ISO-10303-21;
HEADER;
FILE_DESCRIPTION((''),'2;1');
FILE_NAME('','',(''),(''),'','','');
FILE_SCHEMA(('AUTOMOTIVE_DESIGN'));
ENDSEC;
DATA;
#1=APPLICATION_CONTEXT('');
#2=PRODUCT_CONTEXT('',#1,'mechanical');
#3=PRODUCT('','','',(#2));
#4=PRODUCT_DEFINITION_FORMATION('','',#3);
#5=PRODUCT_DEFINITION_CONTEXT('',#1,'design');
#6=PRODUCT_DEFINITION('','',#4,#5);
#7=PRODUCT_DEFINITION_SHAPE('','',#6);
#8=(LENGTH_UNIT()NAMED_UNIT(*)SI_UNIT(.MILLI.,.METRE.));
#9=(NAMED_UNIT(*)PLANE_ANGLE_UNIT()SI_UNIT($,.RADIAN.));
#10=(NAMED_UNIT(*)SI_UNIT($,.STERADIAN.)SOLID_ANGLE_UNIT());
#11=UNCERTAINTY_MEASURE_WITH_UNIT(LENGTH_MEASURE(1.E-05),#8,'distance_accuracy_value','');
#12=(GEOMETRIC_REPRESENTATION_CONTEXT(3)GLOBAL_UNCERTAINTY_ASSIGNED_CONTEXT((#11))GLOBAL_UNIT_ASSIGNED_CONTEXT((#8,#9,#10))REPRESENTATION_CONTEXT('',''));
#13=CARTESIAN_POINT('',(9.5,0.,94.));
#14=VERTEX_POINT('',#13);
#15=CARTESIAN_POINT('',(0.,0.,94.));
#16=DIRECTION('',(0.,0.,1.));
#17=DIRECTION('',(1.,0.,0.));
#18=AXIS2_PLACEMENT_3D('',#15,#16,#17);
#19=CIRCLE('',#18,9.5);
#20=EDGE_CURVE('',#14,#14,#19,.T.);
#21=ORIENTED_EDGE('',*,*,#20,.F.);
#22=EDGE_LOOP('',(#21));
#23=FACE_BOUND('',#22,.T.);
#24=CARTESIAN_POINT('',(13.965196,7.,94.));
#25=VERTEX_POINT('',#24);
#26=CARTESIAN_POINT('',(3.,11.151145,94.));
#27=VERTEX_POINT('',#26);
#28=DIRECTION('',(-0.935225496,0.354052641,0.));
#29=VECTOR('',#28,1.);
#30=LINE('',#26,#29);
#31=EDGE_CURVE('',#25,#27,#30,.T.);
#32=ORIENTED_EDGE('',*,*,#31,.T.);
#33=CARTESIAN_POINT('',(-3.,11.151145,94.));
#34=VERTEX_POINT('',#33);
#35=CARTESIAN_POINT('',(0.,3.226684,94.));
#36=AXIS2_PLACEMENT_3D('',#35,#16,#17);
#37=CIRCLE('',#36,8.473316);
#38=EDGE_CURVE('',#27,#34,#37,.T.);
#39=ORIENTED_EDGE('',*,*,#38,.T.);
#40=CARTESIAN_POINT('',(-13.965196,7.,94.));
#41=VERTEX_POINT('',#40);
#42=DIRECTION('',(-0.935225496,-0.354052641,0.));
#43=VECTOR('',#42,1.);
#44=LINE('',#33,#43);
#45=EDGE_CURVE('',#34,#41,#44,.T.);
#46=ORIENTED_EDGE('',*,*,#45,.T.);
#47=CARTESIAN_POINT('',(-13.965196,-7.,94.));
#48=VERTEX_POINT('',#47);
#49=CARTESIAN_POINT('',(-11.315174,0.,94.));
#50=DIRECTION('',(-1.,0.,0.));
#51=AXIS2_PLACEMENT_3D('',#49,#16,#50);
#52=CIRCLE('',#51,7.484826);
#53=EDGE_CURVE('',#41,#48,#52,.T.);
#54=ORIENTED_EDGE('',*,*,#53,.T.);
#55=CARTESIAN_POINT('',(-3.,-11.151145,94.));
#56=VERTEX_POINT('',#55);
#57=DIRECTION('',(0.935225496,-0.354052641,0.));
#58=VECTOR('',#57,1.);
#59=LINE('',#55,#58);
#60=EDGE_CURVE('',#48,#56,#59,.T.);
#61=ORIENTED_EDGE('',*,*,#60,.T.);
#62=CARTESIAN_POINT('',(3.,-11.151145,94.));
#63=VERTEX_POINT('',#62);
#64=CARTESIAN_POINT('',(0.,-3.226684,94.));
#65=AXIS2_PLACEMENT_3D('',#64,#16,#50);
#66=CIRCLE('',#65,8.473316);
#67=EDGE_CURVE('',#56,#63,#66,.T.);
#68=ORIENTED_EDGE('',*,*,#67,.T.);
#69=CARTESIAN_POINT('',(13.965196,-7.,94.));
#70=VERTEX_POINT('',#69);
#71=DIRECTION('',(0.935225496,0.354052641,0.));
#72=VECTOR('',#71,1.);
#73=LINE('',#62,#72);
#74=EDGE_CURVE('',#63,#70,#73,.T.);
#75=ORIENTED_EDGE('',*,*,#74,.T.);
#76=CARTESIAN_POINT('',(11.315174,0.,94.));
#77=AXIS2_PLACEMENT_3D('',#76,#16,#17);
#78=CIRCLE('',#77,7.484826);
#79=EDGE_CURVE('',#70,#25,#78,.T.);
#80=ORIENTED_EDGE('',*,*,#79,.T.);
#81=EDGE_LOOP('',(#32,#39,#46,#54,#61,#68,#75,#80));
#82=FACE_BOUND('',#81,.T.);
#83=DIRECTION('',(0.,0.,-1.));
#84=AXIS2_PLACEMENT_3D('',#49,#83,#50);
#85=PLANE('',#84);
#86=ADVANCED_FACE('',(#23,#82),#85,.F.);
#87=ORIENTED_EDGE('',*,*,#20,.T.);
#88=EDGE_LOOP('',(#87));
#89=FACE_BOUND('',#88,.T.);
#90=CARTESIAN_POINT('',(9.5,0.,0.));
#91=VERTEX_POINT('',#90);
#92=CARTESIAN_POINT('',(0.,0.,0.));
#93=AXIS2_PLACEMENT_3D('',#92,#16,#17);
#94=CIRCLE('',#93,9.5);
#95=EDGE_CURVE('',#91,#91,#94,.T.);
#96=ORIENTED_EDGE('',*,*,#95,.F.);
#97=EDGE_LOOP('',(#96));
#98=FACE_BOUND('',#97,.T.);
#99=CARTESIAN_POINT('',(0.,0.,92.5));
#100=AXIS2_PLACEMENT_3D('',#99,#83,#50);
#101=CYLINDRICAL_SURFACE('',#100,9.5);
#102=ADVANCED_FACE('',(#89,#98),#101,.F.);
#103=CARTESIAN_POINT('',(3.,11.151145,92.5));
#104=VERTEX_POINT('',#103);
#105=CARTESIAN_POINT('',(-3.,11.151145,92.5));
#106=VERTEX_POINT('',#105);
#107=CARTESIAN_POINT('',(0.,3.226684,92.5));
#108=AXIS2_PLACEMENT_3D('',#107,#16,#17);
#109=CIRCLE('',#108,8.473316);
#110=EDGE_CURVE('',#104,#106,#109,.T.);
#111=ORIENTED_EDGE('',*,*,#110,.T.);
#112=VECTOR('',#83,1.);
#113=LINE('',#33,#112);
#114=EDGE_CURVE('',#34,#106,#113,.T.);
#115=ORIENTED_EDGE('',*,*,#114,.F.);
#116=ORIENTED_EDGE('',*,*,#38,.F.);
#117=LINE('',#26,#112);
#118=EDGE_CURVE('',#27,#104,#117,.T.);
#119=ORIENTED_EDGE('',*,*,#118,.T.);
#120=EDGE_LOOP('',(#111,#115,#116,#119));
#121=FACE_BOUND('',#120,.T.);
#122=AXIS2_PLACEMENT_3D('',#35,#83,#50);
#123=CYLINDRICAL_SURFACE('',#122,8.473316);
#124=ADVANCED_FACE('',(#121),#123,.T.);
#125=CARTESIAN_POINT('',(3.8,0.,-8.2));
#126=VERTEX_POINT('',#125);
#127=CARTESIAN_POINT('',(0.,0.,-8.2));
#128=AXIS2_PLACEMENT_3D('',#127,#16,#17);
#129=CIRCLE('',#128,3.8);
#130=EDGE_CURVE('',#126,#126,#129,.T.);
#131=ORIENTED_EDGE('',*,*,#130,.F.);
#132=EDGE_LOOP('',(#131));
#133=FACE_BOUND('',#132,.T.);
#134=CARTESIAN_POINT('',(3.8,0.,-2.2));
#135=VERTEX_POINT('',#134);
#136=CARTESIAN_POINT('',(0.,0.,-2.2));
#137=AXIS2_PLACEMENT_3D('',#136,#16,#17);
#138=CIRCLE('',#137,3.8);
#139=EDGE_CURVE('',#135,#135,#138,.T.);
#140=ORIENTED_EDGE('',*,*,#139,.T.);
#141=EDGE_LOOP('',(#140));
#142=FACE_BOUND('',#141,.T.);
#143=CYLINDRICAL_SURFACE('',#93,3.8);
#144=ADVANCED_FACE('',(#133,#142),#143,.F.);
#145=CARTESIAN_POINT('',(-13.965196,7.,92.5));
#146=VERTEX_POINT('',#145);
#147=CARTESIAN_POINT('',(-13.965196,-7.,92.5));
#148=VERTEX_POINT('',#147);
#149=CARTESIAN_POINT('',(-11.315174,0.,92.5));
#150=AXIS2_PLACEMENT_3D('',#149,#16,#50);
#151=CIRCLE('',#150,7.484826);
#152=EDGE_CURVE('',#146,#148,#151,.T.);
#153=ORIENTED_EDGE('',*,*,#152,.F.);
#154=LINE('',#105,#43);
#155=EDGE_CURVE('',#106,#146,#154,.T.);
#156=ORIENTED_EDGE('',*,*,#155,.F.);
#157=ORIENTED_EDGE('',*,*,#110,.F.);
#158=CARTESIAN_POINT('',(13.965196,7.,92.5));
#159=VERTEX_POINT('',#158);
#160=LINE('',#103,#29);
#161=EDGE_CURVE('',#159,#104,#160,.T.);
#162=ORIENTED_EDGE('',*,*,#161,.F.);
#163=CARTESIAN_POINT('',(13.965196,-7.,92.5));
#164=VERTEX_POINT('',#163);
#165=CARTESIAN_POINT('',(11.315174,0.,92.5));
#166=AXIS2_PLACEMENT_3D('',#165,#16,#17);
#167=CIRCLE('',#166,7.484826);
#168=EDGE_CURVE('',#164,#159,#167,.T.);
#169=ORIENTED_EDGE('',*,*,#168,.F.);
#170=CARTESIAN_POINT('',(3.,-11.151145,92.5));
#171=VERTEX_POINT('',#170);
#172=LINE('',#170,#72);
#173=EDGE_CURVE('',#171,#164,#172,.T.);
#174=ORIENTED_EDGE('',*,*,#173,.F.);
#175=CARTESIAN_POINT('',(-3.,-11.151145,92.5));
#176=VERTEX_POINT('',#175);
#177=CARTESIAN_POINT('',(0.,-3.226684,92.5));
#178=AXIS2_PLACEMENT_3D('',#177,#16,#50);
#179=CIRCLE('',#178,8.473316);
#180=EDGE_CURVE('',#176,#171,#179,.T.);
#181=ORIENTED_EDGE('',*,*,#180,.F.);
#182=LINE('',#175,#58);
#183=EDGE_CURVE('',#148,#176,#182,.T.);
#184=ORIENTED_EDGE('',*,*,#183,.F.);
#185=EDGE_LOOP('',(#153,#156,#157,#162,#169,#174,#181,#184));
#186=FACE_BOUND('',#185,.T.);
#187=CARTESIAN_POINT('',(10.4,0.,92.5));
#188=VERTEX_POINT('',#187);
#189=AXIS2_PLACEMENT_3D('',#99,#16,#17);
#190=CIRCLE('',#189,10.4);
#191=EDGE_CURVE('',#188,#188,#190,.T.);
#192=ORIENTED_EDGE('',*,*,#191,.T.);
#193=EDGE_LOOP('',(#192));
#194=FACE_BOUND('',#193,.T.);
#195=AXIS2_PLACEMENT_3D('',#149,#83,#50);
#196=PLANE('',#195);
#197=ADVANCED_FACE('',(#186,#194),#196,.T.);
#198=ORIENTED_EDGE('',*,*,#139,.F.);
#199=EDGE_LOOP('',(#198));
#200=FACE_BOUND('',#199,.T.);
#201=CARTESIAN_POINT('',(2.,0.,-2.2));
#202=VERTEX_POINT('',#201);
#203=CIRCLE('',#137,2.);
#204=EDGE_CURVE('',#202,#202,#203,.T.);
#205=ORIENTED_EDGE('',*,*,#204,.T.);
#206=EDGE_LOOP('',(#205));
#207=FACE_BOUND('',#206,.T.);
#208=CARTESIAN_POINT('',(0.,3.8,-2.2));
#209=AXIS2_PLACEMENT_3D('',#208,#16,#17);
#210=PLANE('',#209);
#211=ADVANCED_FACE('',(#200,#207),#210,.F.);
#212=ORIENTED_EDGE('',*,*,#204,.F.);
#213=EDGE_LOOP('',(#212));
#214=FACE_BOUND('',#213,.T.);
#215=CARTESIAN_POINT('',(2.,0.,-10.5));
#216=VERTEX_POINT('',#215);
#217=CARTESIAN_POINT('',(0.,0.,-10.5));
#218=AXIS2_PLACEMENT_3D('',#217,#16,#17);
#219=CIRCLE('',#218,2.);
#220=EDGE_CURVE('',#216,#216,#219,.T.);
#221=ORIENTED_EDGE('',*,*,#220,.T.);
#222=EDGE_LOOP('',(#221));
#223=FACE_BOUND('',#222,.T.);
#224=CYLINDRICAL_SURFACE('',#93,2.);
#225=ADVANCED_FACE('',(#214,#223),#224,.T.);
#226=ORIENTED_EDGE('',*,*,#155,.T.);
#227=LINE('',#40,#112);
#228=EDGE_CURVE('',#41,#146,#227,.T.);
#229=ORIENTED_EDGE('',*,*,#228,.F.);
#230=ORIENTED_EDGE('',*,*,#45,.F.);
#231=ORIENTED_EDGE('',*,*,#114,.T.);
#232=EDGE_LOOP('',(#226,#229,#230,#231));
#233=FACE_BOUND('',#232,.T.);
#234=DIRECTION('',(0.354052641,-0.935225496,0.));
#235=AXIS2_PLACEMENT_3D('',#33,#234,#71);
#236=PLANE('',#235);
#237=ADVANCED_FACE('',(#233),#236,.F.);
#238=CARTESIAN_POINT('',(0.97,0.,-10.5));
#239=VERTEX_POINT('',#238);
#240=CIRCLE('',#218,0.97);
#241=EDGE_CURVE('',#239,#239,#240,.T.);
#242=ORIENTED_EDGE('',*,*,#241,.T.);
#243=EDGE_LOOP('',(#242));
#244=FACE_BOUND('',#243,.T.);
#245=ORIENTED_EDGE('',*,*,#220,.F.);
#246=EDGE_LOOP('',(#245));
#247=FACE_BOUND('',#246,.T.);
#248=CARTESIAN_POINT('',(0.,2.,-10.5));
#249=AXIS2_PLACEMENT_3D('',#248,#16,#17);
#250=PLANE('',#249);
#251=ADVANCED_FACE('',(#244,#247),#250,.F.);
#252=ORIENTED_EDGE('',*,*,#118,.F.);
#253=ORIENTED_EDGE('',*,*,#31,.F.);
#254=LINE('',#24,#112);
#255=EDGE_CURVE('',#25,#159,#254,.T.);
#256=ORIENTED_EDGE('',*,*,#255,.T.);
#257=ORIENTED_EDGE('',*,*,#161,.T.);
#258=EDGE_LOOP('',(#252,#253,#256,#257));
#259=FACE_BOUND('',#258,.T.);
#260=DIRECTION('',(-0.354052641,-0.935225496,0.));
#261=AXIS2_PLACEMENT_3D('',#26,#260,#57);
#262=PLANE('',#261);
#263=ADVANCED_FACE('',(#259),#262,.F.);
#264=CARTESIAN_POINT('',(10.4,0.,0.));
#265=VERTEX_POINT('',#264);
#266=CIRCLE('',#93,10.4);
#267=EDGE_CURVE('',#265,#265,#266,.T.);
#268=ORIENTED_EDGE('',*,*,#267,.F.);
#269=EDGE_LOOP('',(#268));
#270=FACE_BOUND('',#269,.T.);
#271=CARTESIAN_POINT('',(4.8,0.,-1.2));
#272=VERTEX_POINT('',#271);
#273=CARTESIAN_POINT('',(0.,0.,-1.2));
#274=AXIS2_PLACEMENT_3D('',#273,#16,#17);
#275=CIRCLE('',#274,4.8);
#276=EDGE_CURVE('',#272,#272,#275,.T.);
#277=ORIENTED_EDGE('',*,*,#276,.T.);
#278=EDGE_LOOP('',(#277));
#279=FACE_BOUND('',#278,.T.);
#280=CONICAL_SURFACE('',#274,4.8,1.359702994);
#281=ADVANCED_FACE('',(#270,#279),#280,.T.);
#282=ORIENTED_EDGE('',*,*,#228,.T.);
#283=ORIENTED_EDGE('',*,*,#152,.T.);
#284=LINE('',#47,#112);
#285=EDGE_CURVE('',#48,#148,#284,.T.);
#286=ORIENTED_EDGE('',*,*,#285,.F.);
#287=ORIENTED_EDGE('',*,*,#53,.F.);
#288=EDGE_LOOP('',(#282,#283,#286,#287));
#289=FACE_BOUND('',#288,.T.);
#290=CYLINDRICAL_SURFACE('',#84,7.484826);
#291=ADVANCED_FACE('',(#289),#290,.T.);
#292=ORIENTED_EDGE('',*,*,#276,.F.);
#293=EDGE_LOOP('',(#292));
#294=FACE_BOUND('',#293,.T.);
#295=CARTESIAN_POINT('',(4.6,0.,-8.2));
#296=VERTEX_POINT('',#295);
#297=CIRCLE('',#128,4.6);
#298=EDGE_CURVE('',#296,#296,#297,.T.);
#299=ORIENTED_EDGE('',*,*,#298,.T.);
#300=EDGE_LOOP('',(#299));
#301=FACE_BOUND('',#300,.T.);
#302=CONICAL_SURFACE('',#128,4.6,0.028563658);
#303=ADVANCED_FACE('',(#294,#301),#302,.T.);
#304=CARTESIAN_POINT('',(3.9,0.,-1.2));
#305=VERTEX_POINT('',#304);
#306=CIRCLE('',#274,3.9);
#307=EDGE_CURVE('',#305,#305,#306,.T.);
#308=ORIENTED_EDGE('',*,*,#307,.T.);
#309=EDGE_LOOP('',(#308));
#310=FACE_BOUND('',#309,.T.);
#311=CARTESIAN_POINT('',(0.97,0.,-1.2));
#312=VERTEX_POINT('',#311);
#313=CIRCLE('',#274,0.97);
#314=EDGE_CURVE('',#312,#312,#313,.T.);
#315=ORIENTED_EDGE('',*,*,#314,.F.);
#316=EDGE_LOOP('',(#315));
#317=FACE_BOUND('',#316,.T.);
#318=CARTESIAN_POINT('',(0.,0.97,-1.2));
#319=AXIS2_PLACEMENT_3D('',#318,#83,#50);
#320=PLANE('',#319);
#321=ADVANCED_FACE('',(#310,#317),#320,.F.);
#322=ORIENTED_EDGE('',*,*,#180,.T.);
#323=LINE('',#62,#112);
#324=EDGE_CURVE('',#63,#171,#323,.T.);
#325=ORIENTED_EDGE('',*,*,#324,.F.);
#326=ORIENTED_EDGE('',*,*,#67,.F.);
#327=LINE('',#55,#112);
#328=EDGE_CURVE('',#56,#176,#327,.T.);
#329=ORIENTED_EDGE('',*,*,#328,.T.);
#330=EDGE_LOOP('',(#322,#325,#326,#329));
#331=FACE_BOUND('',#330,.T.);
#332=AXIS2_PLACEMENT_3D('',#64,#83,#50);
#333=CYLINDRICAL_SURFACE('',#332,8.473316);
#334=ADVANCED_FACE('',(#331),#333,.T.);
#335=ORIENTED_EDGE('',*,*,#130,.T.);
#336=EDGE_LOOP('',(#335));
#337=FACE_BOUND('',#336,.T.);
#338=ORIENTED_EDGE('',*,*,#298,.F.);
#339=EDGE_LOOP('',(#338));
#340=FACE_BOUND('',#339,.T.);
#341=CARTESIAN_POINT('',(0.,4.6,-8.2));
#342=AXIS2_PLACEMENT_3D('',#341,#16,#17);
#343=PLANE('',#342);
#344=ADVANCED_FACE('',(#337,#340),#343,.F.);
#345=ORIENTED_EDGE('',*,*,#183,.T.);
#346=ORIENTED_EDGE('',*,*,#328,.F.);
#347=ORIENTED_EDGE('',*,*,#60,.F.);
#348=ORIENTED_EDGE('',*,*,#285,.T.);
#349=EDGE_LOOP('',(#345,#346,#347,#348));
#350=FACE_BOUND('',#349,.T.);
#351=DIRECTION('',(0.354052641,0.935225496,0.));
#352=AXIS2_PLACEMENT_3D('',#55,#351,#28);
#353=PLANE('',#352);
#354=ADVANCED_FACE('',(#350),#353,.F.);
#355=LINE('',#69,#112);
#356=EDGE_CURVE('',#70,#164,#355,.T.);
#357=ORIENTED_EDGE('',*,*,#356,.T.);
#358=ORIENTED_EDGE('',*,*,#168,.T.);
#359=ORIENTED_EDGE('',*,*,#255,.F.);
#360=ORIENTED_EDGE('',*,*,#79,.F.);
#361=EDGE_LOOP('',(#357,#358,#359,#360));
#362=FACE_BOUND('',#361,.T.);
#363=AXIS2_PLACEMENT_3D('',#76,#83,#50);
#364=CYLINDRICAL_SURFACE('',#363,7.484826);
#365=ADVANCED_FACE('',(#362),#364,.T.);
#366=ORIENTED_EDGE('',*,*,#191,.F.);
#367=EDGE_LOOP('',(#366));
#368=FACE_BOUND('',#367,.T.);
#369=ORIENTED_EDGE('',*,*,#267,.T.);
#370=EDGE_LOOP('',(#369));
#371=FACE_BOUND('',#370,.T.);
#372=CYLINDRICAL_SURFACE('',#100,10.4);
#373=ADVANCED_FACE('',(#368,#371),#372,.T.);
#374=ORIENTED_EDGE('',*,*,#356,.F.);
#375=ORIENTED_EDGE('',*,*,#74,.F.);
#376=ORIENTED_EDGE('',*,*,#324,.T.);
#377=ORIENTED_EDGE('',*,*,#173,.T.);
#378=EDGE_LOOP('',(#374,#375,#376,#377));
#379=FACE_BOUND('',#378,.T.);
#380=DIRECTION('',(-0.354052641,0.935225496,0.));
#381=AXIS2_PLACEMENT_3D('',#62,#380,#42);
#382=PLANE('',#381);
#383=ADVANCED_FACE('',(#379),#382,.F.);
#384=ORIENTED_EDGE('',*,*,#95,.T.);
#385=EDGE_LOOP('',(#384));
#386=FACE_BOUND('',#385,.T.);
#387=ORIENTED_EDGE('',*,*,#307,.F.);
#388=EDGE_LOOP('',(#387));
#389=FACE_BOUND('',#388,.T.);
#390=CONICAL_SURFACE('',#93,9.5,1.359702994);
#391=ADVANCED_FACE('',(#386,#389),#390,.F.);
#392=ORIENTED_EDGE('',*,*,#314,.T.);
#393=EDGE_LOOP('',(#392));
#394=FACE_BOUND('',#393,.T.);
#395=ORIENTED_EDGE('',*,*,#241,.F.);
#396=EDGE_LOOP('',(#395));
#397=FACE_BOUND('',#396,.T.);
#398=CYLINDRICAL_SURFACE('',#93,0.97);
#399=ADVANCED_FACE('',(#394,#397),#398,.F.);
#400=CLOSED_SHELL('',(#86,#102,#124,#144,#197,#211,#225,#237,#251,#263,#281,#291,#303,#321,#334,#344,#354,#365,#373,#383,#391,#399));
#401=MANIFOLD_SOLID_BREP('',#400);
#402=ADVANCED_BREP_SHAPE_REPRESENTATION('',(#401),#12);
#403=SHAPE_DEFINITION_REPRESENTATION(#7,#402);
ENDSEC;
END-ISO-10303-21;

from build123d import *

# Parameters (mm, degrees)
SKETCH1_R           = 10.4
SKETCH1_R_2         = 9.5
BOSS_EXTRUDE1_DEPTH = 92.5
SKETCH3_R           = 9.5
BOSS_EXTRUDE2_DEPTH = 1.5


with BuildPart() as part:
    # Sketch1 → Boss-Extrude1 (new body)
    with BuildSketch(Plane.XY):
        Circle(SKETCH1_R)
        Circle(SKETCH1_R_2, mode=Mode.SUBTRACT)
    extrude(amount=BOSS_EXTRUDE1_DEPTH)

    # Sketch2 → Revolve1 (revolve)
    with BuildSketch(Plane(origin=(0, 0, 0), x_dir=(0, 0, -1), z_dir=(1, 0, 0)), mode=Mode.PRIVATE) as revolve1_sk:
        Polygon((0, 10.4), (1.2, 4.8), (8.2, 4.6), (8.2, 3.8), (2.2, 3.8), (2.2, 2), (10.5, 2), (10.5, 0.97), (1.2, 0.97), (1.2, 3.9), (0, 9.5), align=None)
    revolve(revolve1_sk.sketch.rotate(Axis((0, 0, 0), (0, 0, -1)), 90), axis=Axis((0, 0, 0), (0, 0, -1)))

    # Sketch3 → Boss-Extrude2 (add)
    with BuildSketch(Plane.XY.offset(92.5)):
        with BuildLine():
            Line((-3, 11.151145138), (-13.965196483, 7))
            ThreePointArc((-13.965196483, 7), (-18.8, 0), (-13.965196483, -7))
            Line((-13.965196483, -7), (-3, -11.151145138))
            ThreePointArc((-3, -11.151145138), (0, -11.7), (3, -11.151145138))
            Line((3, -11.151145138), (13.965196483, -7))
            ThreePointArc((13.965196483, -7), (18.8, 0), (13.965196483, 7))
            Line((13.965196483, 7), (3, 11.151145138))
            ThreePointArc((3, 11.151145138), (0, 11.7), (-3, 11.151145138))
        make_face()
        Circle(SKETCH3_R, mode=Mode.SUBTRACT)
    extrude(amount=BOSS_EXTRUDE2_DEPTH)


solid = part.part
